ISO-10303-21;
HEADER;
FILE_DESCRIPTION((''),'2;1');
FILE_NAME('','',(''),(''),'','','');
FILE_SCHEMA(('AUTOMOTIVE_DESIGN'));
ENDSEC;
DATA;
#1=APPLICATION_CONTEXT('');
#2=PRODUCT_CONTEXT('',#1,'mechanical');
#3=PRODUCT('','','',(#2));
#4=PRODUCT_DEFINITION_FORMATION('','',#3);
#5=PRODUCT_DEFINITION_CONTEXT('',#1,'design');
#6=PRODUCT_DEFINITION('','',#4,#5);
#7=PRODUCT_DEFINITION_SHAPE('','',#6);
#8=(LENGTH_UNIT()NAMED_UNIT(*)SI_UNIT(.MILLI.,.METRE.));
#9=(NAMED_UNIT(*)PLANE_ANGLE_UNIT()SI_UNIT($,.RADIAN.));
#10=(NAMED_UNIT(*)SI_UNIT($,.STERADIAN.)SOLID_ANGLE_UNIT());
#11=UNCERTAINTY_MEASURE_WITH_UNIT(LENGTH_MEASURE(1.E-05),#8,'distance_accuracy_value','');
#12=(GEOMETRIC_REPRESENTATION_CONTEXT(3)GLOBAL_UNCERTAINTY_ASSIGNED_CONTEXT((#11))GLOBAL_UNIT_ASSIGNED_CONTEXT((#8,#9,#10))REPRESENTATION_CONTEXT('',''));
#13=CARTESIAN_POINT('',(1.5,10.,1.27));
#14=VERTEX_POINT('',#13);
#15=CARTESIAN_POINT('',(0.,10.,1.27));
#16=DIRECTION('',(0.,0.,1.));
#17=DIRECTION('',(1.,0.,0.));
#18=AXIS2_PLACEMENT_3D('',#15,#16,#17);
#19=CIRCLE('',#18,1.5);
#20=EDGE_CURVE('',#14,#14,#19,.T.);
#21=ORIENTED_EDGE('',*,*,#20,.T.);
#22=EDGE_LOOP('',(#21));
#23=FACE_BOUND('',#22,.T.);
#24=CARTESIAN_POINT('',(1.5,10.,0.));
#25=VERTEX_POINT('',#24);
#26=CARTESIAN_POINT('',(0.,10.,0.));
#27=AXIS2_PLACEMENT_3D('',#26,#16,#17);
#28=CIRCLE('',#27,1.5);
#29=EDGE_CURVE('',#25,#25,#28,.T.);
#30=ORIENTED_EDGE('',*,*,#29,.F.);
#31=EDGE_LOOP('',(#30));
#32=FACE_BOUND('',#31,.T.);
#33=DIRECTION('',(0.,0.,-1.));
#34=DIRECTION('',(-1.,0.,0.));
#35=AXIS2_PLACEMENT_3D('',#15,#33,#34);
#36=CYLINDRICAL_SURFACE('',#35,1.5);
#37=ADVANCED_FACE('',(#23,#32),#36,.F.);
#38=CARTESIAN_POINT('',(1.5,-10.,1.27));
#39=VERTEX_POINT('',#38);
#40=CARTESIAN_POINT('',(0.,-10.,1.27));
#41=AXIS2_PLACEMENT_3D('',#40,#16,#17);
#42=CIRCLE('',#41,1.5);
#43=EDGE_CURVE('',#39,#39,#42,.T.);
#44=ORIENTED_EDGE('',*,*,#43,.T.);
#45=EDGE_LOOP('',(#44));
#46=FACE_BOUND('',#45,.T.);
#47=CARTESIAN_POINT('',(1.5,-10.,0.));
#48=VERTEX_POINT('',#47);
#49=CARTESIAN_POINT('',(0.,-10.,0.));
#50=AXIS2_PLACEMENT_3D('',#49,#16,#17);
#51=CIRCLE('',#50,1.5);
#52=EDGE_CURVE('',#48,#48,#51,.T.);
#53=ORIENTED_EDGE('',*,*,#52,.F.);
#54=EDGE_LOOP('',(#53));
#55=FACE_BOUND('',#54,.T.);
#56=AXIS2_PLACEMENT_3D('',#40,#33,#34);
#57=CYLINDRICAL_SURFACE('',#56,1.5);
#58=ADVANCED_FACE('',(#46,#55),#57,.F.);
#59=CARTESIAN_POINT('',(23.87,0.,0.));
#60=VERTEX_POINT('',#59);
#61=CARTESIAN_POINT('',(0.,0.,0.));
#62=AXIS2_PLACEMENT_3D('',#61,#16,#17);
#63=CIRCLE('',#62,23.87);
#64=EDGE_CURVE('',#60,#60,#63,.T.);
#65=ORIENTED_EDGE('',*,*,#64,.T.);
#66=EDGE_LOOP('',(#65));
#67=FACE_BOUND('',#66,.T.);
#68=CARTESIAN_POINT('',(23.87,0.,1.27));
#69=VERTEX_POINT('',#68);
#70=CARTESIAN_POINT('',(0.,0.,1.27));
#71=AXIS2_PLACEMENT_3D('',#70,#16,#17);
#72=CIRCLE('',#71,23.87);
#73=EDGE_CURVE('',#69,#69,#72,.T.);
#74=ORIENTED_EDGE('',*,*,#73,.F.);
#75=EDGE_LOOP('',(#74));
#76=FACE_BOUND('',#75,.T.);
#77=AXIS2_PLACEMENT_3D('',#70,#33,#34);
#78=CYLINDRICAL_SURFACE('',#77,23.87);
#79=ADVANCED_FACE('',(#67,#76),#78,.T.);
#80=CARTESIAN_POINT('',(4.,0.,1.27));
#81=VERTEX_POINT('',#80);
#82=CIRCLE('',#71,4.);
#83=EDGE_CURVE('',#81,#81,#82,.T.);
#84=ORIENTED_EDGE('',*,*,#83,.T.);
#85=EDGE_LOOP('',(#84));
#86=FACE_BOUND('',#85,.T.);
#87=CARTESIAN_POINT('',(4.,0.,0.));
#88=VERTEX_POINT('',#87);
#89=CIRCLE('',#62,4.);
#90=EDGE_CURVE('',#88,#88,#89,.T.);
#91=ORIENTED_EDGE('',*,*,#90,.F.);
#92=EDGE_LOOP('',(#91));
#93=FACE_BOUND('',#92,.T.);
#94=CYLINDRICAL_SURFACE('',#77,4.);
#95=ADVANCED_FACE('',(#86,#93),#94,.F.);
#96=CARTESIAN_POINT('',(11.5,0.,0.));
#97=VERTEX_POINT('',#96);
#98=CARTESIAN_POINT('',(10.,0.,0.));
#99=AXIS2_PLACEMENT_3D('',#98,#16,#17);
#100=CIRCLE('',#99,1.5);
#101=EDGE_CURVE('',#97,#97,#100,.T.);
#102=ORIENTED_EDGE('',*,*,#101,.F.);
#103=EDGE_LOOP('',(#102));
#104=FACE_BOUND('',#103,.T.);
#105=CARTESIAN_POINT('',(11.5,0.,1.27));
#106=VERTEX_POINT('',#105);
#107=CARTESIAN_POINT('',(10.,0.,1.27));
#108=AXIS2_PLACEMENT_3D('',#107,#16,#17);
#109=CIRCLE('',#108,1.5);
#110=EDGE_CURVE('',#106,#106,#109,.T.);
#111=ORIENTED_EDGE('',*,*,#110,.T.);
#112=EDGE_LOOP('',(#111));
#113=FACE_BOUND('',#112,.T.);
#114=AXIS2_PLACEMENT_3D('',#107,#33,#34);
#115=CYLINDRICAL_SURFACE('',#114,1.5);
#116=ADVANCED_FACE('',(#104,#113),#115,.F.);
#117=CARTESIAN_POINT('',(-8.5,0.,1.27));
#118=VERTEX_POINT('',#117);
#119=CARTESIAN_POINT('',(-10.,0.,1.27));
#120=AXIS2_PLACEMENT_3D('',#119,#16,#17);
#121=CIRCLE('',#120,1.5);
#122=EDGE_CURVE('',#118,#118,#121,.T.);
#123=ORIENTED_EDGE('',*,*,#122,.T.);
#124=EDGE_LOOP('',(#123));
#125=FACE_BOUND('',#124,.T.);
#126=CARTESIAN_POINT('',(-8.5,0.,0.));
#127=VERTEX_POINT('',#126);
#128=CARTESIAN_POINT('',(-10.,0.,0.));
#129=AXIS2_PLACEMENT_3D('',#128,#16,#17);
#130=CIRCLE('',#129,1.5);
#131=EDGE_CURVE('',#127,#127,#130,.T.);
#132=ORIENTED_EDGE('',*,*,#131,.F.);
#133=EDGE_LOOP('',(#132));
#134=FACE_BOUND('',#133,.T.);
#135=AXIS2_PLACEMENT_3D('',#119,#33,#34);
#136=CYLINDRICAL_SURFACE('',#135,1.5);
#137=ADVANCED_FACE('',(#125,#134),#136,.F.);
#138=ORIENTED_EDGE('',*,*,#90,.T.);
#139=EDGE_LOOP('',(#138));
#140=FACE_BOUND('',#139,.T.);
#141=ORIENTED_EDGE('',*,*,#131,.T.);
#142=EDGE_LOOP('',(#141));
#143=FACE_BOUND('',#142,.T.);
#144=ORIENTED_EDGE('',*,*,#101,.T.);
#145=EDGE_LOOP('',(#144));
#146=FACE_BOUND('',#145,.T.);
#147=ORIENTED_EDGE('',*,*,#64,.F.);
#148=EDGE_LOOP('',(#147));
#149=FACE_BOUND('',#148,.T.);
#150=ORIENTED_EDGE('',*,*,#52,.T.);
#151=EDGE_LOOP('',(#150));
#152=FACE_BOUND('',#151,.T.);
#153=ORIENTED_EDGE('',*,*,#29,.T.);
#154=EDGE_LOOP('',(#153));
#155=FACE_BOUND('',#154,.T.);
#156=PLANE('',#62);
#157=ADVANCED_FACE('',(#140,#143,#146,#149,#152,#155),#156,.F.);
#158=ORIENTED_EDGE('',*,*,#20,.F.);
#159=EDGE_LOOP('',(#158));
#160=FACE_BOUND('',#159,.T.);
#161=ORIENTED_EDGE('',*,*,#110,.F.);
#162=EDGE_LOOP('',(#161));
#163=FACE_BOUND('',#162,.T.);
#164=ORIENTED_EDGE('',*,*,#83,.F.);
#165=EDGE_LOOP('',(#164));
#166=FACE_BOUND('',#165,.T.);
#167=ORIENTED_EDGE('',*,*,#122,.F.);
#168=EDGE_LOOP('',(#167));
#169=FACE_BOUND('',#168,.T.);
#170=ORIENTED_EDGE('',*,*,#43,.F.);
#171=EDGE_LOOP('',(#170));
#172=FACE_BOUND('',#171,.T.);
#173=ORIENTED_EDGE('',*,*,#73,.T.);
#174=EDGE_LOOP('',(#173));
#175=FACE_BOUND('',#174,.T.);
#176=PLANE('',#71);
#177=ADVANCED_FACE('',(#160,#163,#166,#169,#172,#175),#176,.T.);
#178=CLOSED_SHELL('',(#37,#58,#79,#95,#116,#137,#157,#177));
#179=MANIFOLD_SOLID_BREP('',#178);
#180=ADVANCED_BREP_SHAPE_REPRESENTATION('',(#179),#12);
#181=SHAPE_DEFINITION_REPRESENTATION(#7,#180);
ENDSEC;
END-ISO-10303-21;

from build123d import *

# Parameters (mm, degrees)
SKETCH1_R           = 23.87
SKETCH1_R_2         = 1.5
SKETCH1_R_3         = 4
BOSS_EXTRUDE2_DEPTH = 1.27


with BuildPart() as part:
    # Sketch1 → Boss-Extrude2 (new body)
    with BuildSketch(Plane.XY):
        Circle(SKETCH1_R)
        with Locations((0, 10)):
            Circle(SKETCH1_R_2, mode=Mode.SUBTRACT)
        Circle(SKETCH1_R_3, mode=Mode.SUBTRACT)
        with Locations((10, 0)):
            Circle(SKETCH1_R_2, mode=Mode.SUBTRACT)
        with Locations((0, -10)):
            Circle(SKETCH1_R_2, mode=Mode.SUBTRACT)
        with Locations((-10, 0)):
            Circle(SKETCH1_R_2, mode=Mode.SUBTRACT)
    extrude(amount=BOSS_EXTRUDE2_DEPTH)


solid = part.part
